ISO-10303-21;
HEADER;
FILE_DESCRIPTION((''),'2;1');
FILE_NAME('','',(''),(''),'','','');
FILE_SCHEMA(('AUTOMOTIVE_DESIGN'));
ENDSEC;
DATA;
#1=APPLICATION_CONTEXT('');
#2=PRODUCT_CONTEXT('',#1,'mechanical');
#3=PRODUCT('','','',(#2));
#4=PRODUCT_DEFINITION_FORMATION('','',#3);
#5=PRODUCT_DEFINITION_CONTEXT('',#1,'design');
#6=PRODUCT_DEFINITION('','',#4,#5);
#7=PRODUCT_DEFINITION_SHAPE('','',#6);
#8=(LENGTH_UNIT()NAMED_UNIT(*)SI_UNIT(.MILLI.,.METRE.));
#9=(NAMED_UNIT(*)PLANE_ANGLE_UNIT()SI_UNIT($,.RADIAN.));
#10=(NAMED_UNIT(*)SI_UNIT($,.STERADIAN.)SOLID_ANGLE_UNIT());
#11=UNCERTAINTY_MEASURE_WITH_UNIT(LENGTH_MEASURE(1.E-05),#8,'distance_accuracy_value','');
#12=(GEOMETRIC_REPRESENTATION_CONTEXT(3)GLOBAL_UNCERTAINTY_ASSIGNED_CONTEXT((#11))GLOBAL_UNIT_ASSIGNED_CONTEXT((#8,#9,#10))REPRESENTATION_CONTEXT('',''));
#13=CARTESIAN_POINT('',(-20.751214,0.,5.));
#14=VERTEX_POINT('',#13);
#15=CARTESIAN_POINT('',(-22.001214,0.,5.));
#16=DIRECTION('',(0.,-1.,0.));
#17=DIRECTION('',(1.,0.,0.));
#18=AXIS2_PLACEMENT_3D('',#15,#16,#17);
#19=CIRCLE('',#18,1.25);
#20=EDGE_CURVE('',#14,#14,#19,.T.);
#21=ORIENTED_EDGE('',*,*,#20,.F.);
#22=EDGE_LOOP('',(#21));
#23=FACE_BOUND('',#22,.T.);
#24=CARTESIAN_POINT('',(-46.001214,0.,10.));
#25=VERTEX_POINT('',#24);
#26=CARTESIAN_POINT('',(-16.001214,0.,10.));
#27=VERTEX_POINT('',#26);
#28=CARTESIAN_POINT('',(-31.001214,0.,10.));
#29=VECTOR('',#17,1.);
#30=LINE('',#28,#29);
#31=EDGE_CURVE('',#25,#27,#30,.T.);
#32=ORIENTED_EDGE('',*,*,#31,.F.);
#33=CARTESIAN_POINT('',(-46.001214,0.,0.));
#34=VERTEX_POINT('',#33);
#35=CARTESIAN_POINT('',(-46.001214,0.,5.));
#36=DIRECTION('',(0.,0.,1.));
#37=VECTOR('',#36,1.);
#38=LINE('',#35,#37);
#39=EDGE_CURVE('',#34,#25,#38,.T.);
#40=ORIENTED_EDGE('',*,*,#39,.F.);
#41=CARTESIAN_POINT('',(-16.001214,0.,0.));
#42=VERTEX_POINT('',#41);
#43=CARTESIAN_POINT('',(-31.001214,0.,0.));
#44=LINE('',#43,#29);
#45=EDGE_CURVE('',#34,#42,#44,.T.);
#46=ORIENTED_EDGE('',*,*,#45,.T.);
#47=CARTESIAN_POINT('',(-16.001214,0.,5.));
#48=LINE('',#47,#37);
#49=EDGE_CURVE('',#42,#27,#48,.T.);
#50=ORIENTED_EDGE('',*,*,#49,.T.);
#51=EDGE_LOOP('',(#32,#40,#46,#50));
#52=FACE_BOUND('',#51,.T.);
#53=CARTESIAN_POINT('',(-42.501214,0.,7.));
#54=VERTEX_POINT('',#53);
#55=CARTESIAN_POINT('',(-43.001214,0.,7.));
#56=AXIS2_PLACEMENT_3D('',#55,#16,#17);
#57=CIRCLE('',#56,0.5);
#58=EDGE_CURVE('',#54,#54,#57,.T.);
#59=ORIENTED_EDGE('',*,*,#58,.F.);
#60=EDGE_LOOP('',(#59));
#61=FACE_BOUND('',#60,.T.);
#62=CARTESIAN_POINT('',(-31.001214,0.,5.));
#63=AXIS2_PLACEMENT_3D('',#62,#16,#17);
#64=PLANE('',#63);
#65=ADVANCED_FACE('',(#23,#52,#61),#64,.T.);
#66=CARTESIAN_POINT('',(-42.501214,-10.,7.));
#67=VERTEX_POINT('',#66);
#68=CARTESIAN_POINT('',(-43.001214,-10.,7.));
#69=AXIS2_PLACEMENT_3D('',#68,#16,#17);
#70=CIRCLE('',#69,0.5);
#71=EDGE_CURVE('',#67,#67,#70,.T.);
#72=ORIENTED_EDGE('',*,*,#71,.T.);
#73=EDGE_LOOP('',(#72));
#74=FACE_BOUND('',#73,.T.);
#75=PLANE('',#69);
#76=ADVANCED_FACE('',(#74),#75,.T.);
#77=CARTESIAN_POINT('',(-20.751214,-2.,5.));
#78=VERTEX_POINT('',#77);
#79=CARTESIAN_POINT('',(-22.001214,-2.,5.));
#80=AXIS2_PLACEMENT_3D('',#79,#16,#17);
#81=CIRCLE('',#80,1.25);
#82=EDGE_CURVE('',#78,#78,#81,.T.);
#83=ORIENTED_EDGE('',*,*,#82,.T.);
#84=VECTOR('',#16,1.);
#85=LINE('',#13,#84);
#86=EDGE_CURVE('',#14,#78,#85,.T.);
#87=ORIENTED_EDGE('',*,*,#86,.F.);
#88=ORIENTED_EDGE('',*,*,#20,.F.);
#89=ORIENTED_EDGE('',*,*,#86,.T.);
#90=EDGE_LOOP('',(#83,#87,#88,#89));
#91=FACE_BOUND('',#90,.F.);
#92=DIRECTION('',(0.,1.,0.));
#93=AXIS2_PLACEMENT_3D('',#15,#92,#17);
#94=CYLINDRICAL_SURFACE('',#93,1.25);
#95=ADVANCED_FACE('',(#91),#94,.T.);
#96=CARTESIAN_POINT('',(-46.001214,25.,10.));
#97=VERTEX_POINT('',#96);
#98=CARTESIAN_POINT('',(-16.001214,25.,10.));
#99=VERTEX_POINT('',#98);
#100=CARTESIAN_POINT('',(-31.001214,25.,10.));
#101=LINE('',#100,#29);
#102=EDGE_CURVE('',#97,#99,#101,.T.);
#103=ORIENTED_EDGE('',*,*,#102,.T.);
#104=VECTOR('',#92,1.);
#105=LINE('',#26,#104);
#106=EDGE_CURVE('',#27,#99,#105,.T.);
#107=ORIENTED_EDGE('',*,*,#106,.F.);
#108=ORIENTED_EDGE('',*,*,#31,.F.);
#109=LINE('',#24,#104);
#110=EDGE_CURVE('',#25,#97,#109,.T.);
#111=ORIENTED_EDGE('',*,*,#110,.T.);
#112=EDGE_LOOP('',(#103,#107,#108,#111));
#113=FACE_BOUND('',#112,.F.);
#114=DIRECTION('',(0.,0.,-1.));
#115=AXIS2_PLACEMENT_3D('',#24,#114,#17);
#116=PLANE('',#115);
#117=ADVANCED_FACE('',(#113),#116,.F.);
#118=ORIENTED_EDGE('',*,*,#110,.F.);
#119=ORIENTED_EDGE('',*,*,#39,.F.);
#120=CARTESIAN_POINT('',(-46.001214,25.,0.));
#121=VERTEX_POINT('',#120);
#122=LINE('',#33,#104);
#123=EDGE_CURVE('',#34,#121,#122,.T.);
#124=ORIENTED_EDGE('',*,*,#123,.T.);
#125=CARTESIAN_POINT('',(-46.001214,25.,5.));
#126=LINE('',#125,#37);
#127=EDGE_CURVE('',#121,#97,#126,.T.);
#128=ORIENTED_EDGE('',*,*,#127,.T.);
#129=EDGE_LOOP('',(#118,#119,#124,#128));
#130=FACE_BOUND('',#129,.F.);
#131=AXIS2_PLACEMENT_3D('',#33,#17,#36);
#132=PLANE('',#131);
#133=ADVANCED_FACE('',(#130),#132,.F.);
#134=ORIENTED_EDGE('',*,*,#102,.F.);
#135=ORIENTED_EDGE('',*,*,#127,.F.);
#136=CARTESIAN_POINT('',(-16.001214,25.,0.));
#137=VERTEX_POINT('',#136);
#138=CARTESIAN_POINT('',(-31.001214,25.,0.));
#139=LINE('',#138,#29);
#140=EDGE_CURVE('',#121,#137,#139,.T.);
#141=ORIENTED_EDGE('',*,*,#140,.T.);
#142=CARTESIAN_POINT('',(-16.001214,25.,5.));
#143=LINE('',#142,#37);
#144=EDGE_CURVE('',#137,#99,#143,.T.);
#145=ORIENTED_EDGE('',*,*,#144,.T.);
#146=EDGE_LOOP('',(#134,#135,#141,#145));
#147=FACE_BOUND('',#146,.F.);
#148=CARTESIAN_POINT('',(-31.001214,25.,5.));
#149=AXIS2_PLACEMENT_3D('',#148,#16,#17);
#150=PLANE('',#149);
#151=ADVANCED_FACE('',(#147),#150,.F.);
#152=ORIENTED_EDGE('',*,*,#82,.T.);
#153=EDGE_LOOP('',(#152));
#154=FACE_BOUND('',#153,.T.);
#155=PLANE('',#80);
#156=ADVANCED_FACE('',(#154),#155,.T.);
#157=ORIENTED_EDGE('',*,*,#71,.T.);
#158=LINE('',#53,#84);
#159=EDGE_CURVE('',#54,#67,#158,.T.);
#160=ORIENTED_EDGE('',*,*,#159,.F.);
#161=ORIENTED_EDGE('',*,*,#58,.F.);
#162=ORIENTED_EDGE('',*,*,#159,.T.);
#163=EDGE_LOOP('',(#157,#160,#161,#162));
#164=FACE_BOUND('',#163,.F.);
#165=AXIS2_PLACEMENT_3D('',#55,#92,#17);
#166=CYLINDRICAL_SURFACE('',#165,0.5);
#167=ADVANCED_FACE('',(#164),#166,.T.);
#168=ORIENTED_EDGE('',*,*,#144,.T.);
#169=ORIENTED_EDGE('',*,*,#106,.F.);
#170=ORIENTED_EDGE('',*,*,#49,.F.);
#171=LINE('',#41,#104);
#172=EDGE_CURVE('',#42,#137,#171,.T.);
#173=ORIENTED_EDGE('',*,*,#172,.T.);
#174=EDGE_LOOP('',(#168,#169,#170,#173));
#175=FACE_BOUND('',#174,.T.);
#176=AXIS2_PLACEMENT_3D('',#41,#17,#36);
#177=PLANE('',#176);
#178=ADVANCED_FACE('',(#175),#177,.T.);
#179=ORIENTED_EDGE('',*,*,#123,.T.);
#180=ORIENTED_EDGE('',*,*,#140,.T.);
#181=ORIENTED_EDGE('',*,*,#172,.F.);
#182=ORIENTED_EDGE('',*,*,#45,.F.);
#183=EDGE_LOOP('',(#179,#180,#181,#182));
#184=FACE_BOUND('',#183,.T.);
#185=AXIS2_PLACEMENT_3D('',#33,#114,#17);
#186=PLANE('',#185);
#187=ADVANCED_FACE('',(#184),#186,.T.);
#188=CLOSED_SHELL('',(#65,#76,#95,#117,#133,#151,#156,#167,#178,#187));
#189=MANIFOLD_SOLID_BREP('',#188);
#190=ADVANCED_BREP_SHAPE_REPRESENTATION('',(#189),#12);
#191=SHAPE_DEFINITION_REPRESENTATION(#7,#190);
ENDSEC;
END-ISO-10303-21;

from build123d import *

# Parameters (mm, degrees)
F0_W     = 30
F0_H     = 10
F1_DEPTH = 25
F2_R     = 1.25
F3_DEPTH = 2
F4_R     = 0.5
F5_DEPTH = 10


with BuildPart() as f1:
    # F0 (on Front) → F1 (new body)
    with BuildSketch(Plane.XZ):
        with Locations((-31.001214, 5)):
            Rectangle(F0_W, F0_H)
    extrude(amount=-F1_DEPTH)

    # F2 (on face) → F3 (join)
    with BuildSketch(Plane.XZ):
        with Locations((-22.001214, 5)):
            Circle(F2_R)
    extrude(amount=F3_DEPTH)

    # F4 (on face) → F5 (join)
    with BuildSketch(Plane.XZ):
        with Locations((-43.001214, 7)):
            Circle(F4_R)
    extrude(amount=F5_DEPTH)


solid = f1.part
